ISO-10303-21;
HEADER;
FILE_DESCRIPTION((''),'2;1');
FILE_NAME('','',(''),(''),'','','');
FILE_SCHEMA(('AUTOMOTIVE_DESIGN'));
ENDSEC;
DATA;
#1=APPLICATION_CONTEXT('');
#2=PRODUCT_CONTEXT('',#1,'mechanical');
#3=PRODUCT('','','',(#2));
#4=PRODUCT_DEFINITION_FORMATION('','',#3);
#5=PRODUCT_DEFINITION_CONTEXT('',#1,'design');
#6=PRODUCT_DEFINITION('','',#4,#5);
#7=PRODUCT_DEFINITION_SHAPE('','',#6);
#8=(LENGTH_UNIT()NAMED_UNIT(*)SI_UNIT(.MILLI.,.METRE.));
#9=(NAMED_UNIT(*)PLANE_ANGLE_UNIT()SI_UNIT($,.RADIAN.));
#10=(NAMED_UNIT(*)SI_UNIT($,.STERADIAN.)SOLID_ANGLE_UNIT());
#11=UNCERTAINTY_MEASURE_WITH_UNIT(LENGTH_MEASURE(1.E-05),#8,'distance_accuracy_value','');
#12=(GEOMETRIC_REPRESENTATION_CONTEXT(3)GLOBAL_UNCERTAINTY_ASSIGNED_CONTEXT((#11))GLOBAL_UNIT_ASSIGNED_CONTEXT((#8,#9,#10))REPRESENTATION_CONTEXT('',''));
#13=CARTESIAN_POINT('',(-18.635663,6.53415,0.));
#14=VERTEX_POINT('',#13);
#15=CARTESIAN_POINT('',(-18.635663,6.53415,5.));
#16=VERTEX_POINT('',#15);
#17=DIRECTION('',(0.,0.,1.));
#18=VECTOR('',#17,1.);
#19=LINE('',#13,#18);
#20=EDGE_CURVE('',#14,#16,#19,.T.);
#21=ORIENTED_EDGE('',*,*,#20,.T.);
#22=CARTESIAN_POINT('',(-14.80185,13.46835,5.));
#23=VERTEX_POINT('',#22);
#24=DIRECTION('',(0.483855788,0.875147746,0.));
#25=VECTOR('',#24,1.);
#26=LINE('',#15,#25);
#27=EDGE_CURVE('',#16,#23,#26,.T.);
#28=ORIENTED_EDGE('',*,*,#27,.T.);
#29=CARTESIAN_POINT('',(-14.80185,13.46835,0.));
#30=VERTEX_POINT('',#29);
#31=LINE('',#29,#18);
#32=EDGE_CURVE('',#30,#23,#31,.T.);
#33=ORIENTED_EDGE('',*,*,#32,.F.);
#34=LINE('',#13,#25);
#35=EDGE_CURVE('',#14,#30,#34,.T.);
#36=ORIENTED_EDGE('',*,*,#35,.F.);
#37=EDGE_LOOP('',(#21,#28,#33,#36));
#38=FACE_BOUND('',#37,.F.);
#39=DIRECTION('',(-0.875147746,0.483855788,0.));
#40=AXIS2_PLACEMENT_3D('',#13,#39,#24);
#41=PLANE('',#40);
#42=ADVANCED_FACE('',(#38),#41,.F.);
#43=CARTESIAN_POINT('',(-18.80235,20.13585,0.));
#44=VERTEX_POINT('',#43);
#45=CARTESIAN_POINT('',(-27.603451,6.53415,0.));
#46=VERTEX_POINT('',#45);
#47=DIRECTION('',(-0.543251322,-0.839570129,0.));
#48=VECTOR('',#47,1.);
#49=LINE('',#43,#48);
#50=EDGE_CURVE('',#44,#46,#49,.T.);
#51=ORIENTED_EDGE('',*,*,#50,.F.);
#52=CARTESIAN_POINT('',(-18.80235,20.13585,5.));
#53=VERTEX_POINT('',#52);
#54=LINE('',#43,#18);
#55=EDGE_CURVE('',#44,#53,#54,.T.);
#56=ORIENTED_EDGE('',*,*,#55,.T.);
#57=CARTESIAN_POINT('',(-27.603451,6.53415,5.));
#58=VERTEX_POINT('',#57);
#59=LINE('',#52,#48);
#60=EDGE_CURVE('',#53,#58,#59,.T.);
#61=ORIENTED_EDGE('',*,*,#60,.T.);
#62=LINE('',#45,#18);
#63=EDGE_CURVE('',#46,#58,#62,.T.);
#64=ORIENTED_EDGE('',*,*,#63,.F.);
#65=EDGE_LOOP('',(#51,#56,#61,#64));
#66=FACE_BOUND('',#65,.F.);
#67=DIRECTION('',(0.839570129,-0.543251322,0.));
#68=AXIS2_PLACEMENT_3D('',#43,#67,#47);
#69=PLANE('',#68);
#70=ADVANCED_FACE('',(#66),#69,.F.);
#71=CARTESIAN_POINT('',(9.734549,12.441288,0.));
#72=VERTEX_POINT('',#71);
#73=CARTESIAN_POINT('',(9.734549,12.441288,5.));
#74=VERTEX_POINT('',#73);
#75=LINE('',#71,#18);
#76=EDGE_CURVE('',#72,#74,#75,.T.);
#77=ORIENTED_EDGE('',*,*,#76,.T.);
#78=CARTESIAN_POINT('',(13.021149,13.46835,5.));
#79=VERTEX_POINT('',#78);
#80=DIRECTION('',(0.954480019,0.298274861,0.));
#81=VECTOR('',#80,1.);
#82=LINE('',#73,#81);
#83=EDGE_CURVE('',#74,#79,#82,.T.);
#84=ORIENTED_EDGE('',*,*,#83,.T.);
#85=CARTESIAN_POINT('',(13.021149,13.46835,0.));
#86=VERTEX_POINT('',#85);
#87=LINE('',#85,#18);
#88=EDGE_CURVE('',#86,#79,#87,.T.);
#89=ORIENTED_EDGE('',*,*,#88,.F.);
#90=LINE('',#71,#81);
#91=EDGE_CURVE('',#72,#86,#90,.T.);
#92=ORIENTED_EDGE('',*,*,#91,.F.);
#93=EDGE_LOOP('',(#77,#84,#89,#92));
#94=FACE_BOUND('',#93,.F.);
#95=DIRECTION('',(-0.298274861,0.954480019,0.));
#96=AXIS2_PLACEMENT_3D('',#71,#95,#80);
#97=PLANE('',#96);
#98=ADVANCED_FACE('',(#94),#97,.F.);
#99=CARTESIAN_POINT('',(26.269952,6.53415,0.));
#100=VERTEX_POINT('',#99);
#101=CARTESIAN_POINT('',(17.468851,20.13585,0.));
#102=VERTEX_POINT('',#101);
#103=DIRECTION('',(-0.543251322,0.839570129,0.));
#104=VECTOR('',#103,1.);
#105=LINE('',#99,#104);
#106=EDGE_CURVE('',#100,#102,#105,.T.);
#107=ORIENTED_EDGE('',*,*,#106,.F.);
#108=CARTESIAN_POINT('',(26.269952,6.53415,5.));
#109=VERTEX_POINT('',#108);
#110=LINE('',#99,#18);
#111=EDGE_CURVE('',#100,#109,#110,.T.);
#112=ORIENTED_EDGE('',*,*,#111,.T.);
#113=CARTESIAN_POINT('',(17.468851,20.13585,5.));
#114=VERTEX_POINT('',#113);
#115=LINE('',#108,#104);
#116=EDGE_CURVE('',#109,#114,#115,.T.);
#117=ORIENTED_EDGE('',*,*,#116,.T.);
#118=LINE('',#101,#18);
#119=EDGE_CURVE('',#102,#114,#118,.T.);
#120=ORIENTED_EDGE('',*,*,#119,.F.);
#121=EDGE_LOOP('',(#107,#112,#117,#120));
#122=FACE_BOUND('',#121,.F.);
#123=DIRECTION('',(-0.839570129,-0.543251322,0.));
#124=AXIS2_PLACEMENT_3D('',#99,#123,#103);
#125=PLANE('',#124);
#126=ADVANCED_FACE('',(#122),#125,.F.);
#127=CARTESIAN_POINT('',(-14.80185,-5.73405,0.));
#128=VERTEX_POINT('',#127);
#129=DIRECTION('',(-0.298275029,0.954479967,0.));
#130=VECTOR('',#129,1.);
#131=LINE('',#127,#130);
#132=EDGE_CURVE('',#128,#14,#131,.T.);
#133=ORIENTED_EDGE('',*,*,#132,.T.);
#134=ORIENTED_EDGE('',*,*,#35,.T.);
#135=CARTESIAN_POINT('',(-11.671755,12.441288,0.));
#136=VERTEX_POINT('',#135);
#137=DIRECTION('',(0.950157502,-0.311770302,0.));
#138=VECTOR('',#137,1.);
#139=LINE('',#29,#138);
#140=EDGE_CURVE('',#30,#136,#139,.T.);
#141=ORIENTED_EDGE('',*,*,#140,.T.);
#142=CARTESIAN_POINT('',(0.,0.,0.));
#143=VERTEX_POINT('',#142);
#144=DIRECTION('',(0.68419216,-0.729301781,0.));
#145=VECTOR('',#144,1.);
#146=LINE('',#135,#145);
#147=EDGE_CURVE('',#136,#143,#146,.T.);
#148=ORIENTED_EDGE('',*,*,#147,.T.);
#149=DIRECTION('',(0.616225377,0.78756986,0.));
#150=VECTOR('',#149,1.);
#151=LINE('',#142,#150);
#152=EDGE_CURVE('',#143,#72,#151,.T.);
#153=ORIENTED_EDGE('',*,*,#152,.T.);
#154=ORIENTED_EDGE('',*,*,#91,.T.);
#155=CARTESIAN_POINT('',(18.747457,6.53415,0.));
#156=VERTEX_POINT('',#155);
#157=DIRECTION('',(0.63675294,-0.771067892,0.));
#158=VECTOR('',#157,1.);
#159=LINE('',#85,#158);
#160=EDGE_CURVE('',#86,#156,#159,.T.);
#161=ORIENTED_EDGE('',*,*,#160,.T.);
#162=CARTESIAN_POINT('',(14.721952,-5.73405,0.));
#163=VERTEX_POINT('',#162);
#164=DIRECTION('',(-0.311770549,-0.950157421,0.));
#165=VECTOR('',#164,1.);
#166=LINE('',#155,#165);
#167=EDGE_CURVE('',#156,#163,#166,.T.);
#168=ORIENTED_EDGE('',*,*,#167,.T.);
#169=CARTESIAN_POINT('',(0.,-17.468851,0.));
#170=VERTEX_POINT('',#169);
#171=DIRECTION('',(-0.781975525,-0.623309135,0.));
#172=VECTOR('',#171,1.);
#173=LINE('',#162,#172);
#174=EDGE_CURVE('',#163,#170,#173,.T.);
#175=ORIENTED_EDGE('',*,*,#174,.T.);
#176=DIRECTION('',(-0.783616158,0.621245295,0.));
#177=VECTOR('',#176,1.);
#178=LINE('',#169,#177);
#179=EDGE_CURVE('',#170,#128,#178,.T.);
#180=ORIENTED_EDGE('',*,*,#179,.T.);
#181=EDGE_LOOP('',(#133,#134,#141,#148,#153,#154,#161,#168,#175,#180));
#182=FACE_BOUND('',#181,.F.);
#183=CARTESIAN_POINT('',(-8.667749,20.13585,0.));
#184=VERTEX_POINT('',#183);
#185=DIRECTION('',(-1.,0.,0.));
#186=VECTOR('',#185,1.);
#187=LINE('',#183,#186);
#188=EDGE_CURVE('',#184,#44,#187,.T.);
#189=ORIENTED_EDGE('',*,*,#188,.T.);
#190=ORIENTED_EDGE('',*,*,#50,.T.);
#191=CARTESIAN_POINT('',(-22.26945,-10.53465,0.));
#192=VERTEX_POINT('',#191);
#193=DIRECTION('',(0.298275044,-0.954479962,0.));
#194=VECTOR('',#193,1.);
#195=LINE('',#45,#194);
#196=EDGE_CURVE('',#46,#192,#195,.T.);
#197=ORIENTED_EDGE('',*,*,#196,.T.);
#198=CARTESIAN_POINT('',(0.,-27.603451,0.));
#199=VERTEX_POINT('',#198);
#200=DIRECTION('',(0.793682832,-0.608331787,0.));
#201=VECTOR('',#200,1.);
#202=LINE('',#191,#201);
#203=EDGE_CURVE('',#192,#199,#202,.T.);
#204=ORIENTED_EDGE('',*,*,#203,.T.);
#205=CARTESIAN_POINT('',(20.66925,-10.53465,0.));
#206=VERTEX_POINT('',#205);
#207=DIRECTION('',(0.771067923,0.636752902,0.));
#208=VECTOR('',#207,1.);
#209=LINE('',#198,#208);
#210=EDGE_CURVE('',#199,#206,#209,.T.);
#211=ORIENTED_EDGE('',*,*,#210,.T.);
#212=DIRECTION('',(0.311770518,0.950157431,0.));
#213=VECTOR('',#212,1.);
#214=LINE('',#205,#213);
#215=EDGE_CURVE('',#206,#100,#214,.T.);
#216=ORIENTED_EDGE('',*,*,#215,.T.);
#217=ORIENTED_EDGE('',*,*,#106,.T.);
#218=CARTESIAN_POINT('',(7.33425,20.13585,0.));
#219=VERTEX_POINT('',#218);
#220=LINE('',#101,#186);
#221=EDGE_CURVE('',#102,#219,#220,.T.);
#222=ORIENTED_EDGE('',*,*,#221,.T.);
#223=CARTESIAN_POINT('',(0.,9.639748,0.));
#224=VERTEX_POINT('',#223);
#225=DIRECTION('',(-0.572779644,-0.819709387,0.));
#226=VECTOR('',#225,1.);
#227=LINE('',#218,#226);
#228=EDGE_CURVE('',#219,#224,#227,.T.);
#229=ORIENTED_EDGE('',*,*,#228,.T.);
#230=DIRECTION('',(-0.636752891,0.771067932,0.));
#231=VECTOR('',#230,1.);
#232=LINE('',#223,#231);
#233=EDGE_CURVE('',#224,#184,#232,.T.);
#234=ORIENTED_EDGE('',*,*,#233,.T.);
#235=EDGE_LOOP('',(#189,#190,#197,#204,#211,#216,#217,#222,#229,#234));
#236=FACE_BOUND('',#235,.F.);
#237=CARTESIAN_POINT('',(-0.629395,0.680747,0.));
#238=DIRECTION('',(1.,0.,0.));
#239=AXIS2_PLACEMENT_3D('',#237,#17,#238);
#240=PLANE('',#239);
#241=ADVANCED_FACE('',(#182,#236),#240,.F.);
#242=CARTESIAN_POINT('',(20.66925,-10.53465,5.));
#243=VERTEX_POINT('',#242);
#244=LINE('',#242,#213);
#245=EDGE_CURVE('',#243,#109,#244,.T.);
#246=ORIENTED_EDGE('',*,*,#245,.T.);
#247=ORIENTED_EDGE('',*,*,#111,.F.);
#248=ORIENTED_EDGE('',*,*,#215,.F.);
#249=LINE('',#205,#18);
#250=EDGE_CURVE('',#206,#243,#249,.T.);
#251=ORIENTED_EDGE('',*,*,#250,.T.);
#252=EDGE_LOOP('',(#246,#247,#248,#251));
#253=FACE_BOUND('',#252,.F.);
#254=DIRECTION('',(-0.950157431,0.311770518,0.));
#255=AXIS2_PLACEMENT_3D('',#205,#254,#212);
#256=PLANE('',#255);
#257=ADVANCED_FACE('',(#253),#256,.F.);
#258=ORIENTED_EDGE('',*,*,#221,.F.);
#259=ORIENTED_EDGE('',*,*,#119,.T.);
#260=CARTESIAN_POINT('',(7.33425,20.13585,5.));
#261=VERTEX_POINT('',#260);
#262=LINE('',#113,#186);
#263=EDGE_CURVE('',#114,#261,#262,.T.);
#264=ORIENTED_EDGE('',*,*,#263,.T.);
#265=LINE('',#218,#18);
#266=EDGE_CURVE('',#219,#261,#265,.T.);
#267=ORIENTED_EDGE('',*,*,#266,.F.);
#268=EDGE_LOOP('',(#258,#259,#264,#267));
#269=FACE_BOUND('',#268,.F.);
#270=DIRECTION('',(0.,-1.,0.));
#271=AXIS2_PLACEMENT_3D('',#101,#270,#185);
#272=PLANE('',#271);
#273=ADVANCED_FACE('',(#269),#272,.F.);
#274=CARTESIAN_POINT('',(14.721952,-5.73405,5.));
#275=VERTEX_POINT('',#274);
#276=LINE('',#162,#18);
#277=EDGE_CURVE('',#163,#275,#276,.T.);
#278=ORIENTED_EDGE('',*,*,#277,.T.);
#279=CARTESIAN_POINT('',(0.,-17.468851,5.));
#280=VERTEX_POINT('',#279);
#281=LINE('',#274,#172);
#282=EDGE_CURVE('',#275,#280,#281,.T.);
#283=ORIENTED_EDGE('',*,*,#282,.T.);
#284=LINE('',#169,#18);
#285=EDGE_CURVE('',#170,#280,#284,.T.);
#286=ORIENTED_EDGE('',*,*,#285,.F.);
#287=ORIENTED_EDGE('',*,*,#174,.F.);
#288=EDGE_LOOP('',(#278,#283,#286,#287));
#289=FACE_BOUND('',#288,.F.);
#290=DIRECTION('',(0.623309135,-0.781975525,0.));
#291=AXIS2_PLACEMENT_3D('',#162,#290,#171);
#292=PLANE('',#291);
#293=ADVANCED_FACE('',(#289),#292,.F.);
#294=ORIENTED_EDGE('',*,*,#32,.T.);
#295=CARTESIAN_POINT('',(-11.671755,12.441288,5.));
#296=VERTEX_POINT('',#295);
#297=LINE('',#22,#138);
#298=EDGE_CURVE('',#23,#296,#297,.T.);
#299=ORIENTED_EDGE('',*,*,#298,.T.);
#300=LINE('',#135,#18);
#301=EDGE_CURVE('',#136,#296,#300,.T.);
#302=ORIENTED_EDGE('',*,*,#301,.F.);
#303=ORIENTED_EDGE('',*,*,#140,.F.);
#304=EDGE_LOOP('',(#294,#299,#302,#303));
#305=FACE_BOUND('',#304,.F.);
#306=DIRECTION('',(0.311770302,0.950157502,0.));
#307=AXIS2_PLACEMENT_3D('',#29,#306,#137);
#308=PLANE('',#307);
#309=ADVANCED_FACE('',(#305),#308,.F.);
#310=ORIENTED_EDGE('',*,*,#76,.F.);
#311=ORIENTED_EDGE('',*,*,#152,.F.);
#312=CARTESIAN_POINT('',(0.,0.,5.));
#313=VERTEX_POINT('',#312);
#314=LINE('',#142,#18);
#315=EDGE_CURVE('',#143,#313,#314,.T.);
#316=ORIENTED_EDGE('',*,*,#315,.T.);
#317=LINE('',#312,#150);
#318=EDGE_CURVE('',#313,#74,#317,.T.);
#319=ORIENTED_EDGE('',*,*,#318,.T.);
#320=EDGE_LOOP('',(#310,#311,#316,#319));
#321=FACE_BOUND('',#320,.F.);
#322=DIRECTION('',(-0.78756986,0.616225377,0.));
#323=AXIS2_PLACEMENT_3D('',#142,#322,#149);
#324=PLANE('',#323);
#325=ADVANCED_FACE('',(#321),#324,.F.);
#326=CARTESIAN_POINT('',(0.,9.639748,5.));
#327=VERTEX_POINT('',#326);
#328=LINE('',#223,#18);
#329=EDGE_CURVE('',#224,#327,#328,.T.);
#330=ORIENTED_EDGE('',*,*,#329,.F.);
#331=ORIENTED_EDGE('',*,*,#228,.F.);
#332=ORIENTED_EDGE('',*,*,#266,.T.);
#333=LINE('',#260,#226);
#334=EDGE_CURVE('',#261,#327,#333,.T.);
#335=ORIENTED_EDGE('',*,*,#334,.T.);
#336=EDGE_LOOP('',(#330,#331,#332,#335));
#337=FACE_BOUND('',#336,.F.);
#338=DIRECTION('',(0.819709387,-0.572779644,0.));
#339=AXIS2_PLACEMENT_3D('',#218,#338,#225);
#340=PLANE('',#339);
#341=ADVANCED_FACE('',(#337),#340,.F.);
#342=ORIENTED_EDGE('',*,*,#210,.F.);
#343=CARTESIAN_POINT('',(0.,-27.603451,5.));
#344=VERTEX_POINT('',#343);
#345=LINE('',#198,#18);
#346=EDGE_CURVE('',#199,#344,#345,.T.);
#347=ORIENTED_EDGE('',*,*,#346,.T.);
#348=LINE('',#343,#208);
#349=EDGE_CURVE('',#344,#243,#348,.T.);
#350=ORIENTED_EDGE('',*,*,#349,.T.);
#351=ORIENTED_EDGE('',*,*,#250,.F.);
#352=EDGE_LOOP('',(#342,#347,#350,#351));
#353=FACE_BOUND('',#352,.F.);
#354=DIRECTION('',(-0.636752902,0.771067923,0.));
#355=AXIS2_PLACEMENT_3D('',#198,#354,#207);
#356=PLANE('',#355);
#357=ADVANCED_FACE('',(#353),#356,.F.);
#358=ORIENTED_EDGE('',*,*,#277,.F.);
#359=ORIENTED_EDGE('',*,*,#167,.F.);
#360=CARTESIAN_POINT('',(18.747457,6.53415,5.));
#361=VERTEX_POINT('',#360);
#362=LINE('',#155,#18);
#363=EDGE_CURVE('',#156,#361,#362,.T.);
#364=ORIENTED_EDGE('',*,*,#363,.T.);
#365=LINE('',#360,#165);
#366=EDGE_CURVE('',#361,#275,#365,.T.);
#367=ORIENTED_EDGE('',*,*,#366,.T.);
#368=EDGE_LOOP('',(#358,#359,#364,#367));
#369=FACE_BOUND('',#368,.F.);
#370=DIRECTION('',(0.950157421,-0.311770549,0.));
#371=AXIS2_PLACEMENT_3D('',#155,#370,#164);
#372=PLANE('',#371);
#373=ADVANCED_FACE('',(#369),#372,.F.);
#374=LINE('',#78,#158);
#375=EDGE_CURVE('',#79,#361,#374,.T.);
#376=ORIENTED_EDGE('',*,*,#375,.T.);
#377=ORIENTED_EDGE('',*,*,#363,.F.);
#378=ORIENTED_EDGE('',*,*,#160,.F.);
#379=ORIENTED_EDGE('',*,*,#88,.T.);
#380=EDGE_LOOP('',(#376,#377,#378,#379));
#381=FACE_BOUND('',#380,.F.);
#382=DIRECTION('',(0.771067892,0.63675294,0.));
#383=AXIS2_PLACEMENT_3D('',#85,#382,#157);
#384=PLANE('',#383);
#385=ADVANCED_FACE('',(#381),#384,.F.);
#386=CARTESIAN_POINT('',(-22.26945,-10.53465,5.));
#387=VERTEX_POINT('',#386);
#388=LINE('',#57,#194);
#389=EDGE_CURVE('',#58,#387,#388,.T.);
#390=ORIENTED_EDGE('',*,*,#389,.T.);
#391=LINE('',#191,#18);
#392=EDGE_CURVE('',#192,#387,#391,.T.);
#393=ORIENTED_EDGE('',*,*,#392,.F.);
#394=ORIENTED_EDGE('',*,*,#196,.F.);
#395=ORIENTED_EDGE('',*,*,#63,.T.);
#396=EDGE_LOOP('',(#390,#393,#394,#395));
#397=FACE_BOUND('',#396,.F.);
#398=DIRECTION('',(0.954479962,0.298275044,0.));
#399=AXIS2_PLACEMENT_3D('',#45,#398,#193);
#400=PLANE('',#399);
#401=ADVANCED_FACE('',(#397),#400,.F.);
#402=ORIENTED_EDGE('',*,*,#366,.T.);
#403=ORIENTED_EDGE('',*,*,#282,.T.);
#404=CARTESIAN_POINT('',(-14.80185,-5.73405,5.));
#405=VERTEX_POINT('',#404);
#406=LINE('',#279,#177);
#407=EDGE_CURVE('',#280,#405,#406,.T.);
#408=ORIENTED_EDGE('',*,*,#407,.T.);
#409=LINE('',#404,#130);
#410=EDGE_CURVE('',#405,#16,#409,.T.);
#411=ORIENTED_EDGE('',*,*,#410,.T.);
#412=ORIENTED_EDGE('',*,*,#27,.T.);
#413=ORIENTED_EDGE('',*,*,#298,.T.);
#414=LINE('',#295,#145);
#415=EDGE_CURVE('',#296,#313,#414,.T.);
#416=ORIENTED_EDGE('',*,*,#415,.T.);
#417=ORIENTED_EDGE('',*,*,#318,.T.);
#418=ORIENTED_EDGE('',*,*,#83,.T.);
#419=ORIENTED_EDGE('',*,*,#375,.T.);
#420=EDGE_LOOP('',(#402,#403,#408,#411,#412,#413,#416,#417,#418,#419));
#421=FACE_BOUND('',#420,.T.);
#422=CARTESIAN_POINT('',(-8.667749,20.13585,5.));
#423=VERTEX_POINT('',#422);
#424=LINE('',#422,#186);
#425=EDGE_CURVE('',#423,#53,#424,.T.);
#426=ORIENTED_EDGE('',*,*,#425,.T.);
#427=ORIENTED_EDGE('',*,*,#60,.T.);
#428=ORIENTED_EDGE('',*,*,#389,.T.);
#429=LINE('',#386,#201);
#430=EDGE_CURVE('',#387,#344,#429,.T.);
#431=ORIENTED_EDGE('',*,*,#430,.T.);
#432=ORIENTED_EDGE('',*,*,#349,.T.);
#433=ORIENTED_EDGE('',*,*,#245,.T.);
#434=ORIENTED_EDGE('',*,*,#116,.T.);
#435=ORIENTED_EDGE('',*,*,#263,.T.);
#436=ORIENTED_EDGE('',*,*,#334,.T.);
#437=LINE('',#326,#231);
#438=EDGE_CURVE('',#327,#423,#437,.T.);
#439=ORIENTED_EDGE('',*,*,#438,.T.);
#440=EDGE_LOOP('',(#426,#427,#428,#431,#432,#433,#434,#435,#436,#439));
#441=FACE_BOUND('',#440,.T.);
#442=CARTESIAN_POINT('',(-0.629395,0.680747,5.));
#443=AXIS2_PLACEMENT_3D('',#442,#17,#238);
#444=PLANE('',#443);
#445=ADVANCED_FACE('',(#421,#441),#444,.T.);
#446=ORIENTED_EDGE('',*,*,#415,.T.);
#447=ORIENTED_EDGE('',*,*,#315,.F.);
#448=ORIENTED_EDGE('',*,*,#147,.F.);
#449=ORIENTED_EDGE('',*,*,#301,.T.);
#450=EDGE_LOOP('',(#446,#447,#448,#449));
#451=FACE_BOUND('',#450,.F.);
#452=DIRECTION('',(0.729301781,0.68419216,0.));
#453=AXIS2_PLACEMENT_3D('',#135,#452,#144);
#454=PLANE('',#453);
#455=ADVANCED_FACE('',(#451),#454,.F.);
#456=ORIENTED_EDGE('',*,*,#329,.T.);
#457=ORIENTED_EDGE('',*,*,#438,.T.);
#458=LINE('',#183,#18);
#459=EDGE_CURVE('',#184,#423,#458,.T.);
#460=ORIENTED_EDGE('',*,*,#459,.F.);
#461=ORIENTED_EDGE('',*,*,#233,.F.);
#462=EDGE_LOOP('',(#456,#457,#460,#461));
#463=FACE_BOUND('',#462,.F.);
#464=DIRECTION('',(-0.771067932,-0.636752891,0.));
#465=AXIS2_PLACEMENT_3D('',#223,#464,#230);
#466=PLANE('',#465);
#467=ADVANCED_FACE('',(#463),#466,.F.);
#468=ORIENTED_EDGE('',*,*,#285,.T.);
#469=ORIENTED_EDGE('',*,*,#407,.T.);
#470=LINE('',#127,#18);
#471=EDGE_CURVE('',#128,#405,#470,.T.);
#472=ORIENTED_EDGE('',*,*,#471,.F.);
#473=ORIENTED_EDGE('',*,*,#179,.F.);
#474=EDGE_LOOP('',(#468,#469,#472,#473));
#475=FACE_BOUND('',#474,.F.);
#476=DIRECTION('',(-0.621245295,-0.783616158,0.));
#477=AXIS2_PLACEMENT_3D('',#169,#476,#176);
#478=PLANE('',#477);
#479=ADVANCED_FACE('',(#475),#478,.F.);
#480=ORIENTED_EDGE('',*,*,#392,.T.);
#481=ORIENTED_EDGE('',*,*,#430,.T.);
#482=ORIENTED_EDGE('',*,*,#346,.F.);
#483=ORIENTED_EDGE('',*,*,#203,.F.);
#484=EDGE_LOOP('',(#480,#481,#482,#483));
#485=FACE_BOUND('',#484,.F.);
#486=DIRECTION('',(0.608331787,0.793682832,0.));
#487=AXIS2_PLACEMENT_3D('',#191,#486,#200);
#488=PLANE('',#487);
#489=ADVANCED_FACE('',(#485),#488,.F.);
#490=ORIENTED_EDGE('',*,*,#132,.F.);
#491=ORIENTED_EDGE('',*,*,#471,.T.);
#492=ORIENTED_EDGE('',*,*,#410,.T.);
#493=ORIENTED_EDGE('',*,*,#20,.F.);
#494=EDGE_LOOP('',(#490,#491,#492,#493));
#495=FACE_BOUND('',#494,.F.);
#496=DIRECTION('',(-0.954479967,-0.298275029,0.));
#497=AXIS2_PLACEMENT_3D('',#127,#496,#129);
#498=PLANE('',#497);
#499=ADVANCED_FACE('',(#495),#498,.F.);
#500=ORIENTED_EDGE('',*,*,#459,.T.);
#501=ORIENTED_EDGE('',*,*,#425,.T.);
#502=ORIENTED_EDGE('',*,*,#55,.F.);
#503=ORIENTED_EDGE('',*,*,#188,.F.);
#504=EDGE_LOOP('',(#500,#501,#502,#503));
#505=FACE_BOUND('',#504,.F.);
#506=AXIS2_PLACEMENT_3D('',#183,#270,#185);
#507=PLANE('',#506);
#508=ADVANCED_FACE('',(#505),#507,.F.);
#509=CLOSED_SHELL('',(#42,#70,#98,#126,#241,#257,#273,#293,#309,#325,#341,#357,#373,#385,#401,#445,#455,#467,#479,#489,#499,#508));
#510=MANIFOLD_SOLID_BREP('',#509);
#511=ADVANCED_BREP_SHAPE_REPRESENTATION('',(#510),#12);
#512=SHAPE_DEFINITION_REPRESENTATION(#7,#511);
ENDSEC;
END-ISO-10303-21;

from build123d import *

# Parameters (mm, degrees)
F1_DEPTH = 5


with BuildPart() as f1:
    # F0 (on Top) → F1 (new body)
    with BuildSketch(Plane.XY):
        Polygon((-22.26945, -10.53465), (0, -27.603451), (20.66925, -10.53465), (26.269952, 6.53415), (17.468851, 20.13585), (7.33425, 20.13585), (0, 9.639748), (-8.667749, 20.13585), (-18.80235, 20.13585), (-27.603451, 6.53415), align=None)
        Polygon((14.721952, -5.73405), (0, -17.468851), (-14.80185, -5.73405), (-18.635663, 6.53415), (-14.80185, 13.46835), (-11.671755, 12.441288), (0, 0), (9.734549, 12.441288), (13.021149, 13.46835), (18.747457, 6.53415), align=None, mode=Mode.SUBTRACT)
    extrude(amount=F1_DEPTH)


solid = f1.part
